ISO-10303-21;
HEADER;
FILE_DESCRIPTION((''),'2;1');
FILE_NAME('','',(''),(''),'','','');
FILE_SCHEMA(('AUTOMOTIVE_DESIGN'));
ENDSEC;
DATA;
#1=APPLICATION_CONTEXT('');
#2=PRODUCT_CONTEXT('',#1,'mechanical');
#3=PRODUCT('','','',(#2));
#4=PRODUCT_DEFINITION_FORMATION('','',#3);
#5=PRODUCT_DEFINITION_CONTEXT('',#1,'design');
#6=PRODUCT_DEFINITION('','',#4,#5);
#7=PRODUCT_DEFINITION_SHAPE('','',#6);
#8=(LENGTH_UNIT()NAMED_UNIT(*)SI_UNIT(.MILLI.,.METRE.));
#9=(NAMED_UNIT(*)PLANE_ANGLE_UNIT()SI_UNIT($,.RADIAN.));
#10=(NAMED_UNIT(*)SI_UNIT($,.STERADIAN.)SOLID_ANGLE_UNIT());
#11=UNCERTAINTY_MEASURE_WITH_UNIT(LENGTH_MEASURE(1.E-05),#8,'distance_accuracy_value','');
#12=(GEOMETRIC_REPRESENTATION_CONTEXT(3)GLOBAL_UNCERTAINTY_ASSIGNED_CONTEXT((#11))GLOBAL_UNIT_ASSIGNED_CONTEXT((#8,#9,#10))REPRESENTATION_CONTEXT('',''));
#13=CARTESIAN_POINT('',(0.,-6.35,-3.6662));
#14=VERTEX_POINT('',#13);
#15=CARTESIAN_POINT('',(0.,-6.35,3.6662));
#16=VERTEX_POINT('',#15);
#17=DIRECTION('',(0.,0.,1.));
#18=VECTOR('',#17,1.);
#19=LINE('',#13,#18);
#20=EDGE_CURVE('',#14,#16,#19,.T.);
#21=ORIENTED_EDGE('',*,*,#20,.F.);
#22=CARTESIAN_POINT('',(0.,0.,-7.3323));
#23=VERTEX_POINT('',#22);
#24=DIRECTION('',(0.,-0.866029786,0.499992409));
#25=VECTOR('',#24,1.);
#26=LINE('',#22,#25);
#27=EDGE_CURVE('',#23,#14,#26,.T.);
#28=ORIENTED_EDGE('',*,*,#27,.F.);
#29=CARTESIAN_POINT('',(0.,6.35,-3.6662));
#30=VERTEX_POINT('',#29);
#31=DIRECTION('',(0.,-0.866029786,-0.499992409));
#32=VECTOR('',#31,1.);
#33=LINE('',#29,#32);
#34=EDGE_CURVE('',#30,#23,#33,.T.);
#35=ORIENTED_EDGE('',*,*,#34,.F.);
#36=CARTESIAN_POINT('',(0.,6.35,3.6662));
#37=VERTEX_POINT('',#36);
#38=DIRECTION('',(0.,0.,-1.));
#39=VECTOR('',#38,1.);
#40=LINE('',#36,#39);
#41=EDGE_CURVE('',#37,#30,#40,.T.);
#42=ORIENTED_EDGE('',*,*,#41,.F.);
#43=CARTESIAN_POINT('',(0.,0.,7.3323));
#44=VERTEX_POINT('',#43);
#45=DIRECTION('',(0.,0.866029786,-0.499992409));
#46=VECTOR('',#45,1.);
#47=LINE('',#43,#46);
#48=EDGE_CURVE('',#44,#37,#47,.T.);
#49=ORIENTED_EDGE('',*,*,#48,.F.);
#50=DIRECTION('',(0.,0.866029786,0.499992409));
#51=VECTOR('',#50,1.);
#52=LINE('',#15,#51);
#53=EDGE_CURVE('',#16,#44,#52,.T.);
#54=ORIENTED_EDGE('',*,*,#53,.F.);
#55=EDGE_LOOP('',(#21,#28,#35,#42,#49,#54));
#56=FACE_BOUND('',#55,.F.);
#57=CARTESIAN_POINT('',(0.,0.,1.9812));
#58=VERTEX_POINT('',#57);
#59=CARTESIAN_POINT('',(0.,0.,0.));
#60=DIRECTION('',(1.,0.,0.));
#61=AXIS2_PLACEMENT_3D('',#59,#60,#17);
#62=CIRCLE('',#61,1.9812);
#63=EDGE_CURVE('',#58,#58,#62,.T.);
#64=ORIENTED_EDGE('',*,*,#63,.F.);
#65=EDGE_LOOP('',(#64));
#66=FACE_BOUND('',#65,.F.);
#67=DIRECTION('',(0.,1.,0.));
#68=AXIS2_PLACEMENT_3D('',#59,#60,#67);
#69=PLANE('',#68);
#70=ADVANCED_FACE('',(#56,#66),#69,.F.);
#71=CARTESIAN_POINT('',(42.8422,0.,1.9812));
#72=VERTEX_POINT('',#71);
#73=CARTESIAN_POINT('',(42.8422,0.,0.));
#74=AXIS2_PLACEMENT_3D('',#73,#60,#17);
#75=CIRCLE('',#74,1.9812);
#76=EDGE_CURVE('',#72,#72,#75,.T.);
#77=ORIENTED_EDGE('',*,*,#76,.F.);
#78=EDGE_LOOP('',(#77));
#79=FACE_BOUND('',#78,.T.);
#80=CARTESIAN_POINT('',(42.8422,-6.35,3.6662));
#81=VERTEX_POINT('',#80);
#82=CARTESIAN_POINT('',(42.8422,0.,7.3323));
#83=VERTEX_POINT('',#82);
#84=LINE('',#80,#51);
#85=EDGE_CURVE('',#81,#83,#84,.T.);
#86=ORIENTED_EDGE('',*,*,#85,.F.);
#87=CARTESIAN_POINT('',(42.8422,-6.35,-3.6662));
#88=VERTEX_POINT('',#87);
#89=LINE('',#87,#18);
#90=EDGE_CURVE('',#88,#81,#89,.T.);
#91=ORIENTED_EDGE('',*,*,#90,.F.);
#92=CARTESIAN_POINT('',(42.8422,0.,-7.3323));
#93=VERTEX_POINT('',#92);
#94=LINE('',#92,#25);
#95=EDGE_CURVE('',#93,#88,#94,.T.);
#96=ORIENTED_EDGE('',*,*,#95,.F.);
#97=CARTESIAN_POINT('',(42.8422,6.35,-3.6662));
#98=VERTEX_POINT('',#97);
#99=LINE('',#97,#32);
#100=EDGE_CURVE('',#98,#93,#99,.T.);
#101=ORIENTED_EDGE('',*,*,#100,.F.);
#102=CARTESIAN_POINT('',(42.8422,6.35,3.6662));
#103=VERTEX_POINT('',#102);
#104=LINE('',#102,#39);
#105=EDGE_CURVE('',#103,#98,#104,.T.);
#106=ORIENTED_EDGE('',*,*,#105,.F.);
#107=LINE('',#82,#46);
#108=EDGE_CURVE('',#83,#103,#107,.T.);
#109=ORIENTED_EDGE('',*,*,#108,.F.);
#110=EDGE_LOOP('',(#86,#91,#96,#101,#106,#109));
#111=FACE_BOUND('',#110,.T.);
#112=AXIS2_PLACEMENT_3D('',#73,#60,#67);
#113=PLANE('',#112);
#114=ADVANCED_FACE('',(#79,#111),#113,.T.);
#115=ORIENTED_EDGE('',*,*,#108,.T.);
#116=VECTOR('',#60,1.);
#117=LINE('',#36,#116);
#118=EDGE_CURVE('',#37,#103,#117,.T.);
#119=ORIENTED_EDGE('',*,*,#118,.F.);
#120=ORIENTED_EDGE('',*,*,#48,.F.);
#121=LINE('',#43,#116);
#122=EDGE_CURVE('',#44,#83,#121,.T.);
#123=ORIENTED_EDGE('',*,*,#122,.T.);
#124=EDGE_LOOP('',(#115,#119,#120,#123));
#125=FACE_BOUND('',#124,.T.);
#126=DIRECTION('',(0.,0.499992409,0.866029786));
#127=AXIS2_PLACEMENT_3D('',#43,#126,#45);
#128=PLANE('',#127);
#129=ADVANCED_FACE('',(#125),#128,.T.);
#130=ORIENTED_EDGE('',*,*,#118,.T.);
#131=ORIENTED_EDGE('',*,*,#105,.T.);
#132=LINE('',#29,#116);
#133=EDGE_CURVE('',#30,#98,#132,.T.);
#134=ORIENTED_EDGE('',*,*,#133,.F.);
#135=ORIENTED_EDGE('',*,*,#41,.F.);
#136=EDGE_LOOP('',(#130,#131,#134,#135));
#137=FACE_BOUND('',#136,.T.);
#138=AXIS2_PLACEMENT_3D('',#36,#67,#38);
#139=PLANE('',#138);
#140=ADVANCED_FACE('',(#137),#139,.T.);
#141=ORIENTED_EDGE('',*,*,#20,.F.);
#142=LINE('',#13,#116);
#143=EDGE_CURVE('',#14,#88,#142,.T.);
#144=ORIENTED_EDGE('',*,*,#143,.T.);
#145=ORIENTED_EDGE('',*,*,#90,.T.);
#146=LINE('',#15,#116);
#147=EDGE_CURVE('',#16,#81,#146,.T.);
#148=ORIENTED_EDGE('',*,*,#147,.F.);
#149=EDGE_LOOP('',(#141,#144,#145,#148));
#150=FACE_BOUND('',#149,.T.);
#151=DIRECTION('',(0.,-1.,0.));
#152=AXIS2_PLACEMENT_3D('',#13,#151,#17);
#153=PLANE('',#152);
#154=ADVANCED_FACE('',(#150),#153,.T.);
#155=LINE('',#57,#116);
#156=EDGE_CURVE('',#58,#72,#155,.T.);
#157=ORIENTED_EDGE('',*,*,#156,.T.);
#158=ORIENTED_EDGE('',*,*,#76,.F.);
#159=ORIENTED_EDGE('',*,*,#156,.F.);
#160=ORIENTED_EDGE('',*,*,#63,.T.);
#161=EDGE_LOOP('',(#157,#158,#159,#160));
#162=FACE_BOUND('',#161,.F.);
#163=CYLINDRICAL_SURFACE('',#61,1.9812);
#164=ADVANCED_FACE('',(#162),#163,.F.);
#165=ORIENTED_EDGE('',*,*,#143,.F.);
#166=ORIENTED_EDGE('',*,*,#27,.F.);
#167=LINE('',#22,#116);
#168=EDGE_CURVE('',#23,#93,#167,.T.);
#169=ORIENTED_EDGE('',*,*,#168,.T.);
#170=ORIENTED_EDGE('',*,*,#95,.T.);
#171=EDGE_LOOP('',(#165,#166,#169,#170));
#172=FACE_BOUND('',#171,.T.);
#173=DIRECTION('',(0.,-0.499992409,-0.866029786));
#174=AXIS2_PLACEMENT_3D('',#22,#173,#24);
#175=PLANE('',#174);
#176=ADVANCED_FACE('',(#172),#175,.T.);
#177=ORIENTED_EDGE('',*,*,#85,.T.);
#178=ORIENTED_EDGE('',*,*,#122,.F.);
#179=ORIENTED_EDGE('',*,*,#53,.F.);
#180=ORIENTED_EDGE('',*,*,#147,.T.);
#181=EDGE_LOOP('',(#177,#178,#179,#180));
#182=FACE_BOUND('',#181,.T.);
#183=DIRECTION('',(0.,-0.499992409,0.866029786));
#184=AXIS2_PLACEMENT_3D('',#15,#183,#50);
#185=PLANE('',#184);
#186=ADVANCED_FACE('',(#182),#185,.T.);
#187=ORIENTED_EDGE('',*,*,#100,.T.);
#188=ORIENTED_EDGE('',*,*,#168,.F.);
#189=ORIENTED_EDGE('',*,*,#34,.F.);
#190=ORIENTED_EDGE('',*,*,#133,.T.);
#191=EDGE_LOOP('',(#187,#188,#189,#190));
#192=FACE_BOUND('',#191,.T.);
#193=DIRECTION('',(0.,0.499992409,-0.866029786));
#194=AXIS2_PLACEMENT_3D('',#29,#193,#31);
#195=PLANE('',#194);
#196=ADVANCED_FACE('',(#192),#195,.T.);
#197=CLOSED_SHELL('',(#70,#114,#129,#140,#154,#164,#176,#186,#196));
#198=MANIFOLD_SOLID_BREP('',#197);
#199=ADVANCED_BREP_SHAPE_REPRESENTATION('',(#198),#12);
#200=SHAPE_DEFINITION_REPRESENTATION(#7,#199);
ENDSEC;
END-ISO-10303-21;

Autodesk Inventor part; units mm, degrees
ref_plane "YZ Plane" through (0, 0, 0) normal (1, 0, 0) x (0, 1, 0)
ref_plane "XZ Plane" through (0, 0, 0) normal (0, 1, 0) x (-1, 0, 0)
ref_plane "XY Plane" through (0, 0, 0) normal (0, 0, 1) x (1, 0, 0)
sketch "Sketch1" plane through (0, 0, 0) normal (1, 0, 0) x (0, 1, 0)
  line L0 (-6.35, -3.6662) -> (-6.35, 3.6662)
  line L1 (-6.35, 3.6662) -> (0, 7.3323)
  line L2 (0, 7.3323) -> (6.35, 3.6662)
  line L3 (6.35, 3.6662) -> (6.35, -3.6662)
  line L4 (6.35, -3.6662) -> (0, -7.3323)
  line L5 (0, -7.3323) -> (-6.35, -3.6662)
  point P0 (0, 0)
  point P1 (0, 0)
  dimension "d0" = 12.7
extrude "Extrusion1" add sketch "Sketch1" along normal blind 42.8422
sketch "Sketch2" plane through (0, 0, 0) normal (-1, 0, 0) x (0, 0, 1)
  point P0 (0, 0)
  point P1 (0, 0)
hole "Hole1" at (0, 0, 0) direction (1, 0, 0) diameter 3.9624 end through all thread size "10-32 UNF" class "2B" standard "ANSI Unified Screw Threads"
properties part number "STOCK,SHAFT,HEX,HOOD,WHEELS" material "Aluminum 6061"
